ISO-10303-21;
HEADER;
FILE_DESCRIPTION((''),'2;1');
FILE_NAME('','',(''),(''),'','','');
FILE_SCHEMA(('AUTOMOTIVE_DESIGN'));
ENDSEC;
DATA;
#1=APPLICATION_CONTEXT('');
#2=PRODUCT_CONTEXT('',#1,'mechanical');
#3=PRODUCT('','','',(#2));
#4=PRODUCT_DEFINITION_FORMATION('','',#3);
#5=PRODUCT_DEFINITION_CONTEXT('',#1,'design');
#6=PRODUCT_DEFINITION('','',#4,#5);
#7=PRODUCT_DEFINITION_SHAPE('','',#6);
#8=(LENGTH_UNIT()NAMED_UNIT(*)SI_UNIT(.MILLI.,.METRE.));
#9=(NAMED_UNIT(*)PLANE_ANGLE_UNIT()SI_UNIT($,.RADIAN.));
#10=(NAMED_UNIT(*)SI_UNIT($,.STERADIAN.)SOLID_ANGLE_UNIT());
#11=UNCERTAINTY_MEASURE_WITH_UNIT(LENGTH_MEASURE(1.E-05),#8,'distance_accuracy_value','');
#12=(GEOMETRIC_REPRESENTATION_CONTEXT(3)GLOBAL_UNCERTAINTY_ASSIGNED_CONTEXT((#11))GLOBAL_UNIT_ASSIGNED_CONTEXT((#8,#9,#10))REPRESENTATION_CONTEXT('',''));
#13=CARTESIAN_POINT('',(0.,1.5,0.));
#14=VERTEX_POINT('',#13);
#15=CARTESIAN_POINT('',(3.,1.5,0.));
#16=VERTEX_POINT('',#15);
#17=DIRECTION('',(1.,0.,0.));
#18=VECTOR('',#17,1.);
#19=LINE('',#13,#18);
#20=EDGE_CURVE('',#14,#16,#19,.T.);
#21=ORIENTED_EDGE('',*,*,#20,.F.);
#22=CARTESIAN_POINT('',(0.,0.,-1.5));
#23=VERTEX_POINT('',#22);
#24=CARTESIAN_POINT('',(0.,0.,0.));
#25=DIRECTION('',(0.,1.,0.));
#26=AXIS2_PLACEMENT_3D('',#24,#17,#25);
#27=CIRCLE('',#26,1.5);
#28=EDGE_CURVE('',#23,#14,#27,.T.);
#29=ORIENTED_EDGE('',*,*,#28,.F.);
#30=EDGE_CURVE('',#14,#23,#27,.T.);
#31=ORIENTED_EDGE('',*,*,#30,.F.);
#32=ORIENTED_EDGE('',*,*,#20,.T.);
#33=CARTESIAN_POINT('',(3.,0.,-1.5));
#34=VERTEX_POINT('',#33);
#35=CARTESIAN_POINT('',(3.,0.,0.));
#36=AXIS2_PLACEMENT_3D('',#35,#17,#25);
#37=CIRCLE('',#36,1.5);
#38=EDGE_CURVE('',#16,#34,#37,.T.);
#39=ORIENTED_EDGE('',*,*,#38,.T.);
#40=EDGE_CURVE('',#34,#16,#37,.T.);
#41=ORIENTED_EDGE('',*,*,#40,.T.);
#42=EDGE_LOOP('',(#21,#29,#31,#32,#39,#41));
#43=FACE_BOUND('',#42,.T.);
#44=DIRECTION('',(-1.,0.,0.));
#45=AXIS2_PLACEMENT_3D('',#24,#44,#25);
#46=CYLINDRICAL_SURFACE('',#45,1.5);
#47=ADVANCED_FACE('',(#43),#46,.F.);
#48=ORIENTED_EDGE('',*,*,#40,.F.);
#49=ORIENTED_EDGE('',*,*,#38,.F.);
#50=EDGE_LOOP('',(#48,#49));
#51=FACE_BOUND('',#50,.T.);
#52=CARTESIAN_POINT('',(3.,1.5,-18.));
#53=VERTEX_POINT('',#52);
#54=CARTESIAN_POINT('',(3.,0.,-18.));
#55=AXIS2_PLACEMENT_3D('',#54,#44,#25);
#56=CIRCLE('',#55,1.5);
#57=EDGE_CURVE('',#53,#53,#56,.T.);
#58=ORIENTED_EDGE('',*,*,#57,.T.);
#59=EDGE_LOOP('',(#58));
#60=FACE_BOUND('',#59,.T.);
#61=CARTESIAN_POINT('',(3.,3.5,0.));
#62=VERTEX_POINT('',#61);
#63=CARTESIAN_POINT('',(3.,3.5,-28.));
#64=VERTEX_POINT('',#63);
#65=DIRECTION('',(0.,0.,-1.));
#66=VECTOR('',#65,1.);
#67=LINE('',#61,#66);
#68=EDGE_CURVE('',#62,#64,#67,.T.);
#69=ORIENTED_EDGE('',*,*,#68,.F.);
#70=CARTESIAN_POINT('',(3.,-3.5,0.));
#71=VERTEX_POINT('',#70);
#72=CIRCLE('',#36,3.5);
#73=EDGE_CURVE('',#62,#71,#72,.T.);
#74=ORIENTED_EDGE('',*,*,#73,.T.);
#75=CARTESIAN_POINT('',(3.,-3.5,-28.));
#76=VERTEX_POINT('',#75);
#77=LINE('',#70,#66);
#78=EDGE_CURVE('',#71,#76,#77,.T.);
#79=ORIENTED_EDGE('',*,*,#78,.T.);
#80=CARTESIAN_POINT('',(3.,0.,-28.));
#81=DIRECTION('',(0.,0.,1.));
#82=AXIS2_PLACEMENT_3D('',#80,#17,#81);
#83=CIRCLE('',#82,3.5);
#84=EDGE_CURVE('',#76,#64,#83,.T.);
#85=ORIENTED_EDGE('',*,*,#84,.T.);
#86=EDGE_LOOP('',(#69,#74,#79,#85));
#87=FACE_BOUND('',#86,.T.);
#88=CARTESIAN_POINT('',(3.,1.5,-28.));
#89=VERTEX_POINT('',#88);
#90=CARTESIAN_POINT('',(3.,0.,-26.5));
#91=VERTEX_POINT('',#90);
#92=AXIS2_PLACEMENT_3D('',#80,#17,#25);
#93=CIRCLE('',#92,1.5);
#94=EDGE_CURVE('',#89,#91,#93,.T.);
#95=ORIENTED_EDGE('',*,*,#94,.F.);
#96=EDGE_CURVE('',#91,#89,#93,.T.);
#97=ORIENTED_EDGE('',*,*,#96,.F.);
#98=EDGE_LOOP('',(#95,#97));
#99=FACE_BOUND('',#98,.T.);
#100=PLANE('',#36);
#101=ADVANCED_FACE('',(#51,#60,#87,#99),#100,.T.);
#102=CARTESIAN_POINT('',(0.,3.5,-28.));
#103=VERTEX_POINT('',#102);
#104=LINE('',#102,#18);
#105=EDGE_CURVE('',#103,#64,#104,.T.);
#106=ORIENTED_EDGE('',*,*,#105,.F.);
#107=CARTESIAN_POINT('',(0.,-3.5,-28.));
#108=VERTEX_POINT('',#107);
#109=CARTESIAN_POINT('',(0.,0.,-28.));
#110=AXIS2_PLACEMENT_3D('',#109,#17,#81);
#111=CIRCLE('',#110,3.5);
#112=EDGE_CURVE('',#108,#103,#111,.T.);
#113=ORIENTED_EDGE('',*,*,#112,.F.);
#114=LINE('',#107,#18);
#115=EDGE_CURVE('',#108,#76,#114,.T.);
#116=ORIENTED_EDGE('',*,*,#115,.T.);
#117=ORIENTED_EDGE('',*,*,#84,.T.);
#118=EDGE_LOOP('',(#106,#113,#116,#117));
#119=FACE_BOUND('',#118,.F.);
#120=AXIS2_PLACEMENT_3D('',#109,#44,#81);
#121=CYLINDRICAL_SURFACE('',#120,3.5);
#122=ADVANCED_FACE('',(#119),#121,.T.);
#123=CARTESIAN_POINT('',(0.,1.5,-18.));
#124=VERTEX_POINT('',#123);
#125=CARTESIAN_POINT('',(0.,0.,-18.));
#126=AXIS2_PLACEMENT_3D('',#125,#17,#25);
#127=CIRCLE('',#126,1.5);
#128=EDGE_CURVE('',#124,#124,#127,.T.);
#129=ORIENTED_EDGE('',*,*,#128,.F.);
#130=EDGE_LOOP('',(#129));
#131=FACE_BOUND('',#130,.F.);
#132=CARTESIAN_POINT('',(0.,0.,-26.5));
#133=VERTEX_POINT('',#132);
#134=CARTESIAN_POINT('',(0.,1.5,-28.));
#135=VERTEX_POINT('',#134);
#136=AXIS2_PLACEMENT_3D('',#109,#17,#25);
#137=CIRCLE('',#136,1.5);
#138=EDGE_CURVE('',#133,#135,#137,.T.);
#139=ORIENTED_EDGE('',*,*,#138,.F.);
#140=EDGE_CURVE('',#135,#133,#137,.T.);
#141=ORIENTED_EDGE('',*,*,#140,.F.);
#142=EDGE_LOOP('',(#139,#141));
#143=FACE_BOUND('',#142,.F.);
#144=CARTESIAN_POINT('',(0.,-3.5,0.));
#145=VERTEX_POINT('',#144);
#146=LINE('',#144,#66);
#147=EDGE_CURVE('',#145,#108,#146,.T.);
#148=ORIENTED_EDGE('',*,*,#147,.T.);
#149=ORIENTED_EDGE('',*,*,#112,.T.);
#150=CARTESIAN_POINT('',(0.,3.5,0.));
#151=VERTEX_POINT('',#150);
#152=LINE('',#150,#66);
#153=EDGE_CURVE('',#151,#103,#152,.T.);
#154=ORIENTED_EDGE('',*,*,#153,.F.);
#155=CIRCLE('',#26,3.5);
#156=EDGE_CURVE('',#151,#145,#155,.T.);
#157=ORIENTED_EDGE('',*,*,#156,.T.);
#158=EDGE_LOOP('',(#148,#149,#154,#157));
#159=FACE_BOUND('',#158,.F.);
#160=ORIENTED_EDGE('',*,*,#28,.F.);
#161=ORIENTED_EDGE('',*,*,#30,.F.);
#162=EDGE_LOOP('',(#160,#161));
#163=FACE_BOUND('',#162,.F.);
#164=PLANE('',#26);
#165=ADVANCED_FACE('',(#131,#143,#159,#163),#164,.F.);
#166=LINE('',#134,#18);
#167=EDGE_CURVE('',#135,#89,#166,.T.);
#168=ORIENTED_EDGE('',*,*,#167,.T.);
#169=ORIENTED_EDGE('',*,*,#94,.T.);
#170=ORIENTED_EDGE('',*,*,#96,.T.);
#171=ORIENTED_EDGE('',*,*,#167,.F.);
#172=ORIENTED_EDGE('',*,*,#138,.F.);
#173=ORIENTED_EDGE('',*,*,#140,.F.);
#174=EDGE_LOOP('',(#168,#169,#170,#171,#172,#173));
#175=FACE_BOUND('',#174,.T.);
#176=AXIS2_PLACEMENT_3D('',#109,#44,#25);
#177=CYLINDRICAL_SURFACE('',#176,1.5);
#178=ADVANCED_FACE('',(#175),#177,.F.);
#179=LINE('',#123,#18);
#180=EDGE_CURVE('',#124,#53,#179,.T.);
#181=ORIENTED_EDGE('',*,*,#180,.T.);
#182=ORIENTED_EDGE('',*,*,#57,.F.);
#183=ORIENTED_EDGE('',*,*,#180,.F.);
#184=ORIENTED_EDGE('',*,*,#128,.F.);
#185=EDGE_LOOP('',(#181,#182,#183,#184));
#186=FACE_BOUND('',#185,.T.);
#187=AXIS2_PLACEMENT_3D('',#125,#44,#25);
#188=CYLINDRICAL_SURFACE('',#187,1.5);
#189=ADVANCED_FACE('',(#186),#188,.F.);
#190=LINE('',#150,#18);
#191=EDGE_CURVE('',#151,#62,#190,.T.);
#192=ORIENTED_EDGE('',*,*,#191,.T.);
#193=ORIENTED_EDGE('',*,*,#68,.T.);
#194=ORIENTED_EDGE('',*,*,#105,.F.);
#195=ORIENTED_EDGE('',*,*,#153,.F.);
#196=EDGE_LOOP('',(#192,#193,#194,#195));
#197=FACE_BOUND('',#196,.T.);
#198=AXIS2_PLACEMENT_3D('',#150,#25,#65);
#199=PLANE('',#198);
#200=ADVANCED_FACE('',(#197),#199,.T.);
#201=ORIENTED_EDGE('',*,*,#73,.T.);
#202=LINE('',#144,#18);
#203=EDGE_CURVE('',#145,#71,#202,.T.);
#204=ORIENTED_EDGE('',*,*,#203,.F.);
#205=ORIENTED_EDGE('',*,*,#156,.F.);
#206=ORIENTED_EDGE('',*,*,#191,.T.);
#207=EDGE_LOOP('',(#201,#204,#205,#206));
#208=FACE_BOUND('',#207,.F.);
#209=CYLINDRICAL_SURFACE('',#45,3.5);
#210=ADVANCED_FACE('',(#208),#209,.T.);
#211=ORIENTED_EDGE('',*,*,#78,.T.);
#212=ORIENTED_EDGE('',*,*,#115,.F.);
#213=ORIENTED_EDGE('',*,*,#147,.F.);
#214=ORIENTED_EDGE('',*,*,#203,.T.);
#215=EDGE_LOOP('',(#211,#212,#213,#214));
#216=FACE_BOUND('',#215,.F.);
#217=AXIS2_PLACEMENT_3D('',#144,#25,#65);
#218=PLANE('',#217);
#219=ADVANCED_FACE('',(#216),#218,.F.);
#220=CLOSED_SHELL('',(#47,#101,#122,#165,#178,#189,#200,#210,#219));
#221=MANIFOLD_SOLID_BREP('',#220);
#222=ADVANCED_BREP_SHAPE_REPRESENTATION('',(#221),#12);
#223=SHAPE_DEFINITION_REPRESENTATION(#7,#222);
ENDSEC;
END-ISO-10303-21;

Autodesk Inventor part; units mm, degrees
ref_plane "YZ Plane" through (0, 0, 0) normal (1, 0, 0) x (0, 1, 0)
ref_plane "XZ Plane" through (0, 0, 0) normal (0, 1, 0) x (-1, 0, 0)
ref_plane "XY Plane" through (0, 0, 0) normal (0, 0, 1) x (1, 0, 0)
sketch "Sketch1" plane through (0, 0, 0) normal (1, 0, 0) x (0, 1, 0)
  circle A0 centre (0, 0) radius 1.5
  arc A1 (3.5, 0) -> (0, -3.5) centre (0, 0) ccw
  line L0 (0, 0) -> (0, -18)
  circle A2 centre (0, -18) radius 1.5
  line L1 (0, -18) -> (0, -28)
  circle A3 centre (0, -28) radius 1.5
  arc A4 (0, -24.5) -> (3.5, -28) centre (0, -28) ccw
  line L2 (3.5, 0) -> (3.5, -28)
  line L3 (-3.5, 0) -> (-3.5, -28)
  dimension "d0" = 3
  dimension "d1" = 7
  dimension "d2" = 18
  dimension "d3" = 3
  dimension "d4" = 10
  dimension "d5" = 3
  dimension "d6" = 7
extrude "Extrusion1" add sketch "Sketch1" along normal blind 3 contours A1 L2 A4 L1 A2 L0 | L0 A2 L1 A4 L3 A1
properties part number "acople_gripper"
